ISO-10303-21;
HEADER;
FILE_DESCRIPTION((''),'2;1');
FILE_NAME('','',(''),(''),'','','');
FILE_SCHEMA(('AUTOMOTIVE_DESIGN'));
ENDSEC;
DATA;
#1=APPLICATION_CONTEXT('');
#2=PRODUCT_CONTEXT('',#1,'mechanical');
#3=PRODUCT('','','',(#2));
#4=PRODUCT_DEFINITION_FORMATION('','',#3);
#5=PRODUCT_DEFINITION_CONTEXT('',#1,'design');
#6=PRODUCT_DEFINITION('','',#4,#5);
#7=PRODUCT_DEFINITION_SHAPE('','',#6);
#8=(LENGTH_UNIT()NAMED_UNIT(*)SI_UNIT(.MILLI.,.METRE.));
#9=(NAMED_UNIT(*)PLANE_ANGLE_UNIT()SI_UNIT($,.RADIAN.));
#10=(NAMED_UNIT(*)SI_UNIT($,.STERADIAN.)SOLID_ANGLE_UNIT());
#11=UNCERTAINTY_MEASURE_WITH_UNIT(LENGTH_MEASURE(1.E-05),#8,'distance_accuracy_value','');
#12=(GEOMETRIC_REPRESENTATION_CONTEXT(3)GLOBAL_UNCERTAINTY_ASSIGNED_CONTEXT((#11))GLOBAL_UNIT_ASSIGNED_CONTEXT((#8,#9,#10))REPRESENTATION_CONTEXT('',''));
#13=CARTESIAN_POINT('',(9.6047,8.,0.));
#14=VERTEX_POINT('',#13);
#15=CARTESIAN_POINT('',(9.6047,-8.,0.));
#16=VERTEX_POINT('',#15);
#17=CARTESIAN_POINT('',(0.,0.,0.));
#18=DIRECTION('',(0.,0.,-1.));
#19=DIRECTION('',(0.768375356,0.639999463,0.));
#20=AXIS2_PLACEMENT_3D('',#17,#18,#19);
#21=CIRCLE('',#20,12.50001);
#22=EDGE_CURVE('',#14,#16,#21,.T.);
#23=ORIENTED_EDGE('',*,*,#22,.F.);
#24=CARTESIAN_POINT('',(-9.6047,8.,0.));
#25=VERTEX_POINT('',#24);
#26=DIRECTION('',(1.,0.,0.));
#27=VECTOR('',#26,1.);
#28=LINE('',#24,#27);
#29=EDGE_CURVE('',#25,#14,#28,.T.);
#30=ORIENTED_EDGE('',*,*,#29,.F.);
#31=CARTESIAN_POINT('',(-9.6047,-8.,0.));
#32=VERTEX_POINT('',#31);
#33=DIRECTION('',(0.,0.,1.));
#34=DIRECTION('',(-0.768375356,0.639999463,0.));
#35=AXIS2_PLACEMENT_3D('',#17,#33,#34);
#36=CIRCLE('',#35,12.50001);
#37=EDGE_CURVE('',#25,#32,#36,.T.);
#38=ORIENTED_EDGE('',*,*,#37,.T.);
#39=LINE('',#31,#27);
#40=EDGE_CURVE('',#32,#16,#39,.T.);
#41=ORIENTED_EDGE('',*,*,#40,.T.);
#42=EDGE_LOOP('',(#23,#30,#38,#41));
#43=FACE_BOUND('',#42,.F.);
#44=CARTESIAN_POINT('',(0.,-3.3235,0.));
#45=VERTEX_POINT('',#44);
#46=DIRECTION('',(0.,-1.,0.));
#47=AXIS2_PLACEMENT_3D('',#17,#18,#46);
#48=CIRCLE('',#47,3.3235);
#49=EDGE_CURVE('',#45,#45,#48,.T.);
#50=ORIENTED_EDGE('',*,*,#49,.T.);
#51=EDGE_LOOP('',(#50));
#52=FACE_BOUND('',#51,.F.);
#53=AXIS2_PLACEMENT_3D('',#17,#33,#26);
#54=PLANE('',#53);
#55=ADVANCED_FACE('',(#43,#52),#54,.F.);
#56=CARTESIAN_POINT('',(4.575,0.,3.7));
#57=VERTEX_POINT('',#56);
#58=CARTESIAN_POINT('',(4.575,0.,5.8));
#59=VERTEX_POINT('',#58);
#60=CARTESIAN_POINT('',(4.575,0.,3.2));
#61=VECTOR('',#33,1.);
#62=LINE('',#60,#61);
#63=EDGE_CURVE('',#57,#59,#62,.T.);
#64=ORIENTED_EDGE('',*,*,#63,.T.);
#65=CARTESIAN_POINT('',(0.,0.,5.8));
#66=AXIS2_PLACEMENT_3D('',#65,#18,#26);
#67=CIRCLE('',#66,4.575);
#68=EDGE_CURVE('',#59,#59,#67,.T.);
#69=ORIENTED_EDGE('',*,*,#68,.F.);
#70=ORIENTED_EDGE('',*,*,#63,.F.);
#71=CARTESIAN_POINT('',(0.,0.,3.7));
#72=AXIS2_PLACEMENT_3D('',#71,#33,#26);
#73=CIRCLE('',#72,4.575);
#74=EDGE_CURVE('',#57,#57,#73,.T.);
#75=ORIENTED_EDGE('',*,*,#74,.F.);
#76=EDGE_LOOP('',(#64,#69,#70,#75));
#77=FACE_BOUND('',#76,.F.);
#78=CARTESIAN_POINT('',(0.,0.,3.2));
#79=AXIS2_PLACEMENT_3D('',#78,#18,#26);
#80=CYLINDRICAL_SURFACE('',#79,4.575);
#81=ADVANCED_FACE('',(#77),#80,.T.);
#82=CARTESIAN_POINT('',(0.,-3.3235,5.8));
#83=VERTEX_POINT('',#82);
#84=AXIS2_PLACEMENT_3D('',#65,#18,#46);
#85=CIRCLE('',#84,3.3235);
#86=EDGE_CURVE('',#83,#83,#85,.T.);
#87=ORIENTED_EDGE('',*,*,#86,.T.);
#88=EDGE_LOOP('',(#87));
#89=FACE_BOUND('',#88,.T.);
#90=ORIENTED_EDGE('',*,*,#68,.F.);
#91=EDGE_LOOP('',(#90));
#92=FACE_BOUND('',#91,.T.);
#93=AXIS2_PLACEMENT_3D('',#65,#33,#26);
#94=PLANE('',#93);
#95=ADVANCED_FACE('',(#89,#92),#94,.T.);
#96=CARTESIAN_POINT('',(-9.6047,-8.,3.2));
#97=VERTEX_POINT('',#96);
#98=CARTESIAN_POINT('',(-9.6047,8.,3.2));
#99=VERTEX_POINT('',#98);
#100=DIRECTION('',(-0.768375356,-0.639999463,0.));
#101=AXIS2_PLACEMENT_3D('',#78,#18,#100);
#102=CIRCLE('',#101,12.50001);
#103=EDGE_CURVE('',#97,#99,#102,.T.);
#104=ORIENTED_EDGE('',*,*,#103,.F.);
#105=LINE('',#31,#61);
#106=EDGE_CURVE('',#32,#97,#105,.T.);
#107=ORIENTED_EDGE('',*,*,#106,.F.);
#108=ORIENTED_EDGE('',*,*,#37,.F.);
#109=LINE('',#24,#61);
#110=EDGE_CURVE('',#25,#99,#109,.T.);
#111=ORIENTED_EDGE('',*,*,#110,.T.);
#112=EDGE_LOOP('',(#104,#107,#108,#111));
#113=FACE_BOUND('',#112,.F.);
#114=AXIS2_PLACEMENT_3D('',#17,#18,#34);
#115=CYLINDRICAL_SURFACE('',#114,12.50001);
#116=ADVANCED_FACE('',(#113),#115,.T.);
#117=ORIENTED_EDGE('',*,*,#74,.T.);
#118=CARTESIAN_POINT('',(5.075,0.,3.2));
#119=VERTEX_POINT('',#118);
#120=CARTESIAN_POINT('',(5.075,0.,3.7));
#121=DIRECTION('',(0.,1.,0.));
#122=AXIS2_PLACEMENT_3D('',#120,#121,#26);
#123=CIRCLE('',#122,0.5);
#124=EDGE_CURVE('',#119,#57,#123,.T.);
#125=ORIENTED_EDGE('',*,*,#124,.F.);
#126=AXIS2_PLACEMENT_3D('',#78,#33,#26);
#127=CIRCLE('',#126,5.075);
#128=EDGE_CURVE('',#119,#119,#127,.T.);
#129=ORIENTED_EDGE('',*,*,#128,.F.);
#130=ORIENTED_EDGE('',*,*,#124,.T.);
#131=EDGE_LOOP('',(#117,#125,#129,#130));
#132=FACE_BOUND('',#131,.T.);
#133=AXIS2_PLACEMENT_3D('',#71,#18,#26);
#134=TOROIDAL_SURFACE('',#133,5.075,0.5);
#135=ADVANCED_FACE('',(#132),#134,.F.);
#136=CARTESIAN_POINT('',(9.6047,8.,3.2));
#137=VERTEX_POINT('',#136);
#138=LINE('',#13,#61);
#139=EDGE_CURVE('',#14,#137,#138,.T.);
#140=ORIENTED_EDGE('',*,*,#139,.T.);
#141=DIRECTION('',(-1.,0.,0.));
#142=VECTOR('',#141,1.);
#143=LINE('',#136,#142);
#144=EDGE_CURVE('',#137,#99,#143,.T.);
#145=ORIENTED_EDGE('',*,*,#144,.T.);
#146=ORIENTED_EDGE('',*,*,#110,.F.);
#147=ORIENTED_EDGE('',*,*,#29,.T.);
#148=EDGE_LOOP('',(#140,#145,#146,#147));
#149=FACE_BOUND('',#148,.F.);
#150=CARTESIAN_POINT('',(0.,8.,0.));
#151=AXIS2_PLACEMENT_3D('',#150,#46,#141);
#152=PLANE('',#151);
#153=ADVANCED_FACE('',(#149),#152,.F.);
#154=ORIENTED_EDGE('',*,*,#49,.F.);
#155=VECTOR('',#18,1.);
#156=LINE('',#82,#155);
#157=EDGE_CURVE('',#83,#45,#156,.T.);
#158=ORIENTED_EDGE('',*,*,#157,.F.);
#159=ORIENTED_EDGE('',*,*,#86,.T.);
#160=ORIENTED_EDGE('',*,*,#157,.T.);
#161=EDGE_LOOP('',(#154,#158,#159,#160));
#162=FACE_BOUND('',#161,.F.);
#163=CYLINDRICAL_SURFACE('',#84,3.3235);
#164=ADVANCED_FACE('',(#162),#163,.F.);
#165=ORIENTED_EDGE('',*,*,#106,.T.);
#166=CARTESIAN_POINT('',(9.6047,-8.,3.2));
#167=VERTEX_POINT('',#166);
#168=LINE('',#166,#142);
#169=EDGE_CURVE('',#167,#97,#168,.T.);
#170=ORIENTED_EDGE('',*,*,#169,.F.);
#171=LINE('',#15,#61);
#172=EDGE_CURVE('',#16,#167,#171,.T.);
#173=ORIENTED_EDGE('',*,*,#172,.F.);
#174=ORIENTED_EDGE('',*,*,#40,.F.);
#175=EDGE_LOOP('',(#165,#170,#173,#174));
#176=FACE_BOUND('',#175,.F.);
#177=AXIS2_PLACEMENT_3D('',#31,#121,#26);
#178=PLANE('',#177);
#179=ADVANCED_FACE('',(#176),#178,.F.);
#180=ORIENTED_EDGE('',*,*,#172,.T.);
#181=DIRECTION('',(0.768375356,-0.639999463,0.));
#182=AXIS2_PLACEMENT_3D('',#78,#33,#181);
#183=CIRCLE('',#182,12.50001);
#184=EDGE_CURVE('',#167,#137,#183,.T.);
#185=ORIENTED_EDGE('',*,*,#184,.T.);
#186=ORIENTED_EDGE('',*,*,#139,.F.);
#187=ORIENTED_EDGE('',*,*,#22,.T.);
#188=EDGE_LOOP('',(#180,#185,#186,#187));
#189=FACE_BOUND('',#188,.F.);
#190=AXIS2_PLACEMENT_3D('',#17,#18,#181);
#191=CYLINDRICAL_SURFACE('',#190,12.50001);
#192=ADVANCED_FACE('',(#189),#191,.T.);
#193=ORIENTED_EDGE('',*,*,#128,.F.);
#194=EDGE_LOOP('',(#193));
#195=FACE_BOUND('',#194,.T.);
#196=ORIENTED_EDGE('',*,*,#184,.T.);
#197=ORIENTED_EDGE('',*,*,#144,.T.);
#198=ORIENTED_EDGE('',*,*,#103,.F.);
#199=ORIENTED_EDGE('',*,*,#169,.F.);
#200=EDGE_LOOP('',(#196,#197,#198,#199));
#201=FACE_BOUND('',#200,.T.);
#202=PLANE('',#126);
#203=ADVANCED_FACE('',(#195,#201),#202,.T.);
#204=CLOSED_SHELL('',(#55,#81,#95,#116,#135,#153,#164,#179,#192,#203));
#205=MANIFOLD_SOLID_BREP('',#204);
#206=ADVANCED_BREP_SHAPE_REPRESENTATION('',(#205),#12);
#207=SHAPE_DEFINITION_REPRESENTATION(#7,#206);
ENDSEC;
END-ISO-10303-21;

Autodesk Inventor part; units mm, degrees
ref_plane "YZ Plane" through (0, 0, 0) normal (1, 0, 0) x (0, 1, 0)
ref_plane "XY Plane" through (0, 0, 0) normal (0, 0, 1) x (1, 0, 0)
sketch "Sketch1" plane through (0, 0, 0) normal (0, 0, 1) x (1, 0, 0)
  line L0 (-9.6047, -8) -> (9.6047, -8)
  line L1 (9.6047, 8) -> (-9.6047, 8)
  line L2 (0, 11.2) -> (0, -11.2) projected
  line L3 (-17.5, 0) -> (17.5, 0) projected
  arc A0 (-9.6047, 8) -> (-9.6047, -8) centre (0, 0) ccw
  arc A1 (9.6047, -8) -> (9.6047, 8) centre (0, 0) ccw
  point P0 (0, 0)
  point P1 (0, -8)
  point P2 (12.5, 0)
  point P3 (-12.5, 0)
  dimension "d0" = 16
  dimension "d15" = 12.5
  dimension "d16" = 12.5
  dimension "d17" = 25
  dimension "d19" = 8
extrude "Extrusion1" add sketch "Sketch1" along normal blind 3.2
sketch "Sketch2" plane through (0, 0, 3.2) normal (0, 0, 1) x (1, 0, 0)
  line L0 (0, 11.2) -> (0, -11.2) projected
  line L1 (-17.5, 0) -> (17.5, 0) projected
  circle A0 centre (0, 0) radius 4.575
  dimension "d4" = 9.15
extrude "Extrusion2" add sketch "Sketch2" along normal blind 2.6
sketch "Sketch3" plane through (0, 0, 5.8) normal (0, 0, 1) x (1, 0, 0)
  circle A0 centre (0, 0) radius 4.575 projected
hole "Hole1" at (0, 0, 5.8) direction (0, 0, -1) diameter 6.647 end through all thread size "M8x1.25" class "6H" standard "ANSI Metric M Profile"
fillet "Fillet1" radius 0.5 1 edges at (-4.575, 0, 3.2)
properties part number "20-081" material "Steel, Mild"
